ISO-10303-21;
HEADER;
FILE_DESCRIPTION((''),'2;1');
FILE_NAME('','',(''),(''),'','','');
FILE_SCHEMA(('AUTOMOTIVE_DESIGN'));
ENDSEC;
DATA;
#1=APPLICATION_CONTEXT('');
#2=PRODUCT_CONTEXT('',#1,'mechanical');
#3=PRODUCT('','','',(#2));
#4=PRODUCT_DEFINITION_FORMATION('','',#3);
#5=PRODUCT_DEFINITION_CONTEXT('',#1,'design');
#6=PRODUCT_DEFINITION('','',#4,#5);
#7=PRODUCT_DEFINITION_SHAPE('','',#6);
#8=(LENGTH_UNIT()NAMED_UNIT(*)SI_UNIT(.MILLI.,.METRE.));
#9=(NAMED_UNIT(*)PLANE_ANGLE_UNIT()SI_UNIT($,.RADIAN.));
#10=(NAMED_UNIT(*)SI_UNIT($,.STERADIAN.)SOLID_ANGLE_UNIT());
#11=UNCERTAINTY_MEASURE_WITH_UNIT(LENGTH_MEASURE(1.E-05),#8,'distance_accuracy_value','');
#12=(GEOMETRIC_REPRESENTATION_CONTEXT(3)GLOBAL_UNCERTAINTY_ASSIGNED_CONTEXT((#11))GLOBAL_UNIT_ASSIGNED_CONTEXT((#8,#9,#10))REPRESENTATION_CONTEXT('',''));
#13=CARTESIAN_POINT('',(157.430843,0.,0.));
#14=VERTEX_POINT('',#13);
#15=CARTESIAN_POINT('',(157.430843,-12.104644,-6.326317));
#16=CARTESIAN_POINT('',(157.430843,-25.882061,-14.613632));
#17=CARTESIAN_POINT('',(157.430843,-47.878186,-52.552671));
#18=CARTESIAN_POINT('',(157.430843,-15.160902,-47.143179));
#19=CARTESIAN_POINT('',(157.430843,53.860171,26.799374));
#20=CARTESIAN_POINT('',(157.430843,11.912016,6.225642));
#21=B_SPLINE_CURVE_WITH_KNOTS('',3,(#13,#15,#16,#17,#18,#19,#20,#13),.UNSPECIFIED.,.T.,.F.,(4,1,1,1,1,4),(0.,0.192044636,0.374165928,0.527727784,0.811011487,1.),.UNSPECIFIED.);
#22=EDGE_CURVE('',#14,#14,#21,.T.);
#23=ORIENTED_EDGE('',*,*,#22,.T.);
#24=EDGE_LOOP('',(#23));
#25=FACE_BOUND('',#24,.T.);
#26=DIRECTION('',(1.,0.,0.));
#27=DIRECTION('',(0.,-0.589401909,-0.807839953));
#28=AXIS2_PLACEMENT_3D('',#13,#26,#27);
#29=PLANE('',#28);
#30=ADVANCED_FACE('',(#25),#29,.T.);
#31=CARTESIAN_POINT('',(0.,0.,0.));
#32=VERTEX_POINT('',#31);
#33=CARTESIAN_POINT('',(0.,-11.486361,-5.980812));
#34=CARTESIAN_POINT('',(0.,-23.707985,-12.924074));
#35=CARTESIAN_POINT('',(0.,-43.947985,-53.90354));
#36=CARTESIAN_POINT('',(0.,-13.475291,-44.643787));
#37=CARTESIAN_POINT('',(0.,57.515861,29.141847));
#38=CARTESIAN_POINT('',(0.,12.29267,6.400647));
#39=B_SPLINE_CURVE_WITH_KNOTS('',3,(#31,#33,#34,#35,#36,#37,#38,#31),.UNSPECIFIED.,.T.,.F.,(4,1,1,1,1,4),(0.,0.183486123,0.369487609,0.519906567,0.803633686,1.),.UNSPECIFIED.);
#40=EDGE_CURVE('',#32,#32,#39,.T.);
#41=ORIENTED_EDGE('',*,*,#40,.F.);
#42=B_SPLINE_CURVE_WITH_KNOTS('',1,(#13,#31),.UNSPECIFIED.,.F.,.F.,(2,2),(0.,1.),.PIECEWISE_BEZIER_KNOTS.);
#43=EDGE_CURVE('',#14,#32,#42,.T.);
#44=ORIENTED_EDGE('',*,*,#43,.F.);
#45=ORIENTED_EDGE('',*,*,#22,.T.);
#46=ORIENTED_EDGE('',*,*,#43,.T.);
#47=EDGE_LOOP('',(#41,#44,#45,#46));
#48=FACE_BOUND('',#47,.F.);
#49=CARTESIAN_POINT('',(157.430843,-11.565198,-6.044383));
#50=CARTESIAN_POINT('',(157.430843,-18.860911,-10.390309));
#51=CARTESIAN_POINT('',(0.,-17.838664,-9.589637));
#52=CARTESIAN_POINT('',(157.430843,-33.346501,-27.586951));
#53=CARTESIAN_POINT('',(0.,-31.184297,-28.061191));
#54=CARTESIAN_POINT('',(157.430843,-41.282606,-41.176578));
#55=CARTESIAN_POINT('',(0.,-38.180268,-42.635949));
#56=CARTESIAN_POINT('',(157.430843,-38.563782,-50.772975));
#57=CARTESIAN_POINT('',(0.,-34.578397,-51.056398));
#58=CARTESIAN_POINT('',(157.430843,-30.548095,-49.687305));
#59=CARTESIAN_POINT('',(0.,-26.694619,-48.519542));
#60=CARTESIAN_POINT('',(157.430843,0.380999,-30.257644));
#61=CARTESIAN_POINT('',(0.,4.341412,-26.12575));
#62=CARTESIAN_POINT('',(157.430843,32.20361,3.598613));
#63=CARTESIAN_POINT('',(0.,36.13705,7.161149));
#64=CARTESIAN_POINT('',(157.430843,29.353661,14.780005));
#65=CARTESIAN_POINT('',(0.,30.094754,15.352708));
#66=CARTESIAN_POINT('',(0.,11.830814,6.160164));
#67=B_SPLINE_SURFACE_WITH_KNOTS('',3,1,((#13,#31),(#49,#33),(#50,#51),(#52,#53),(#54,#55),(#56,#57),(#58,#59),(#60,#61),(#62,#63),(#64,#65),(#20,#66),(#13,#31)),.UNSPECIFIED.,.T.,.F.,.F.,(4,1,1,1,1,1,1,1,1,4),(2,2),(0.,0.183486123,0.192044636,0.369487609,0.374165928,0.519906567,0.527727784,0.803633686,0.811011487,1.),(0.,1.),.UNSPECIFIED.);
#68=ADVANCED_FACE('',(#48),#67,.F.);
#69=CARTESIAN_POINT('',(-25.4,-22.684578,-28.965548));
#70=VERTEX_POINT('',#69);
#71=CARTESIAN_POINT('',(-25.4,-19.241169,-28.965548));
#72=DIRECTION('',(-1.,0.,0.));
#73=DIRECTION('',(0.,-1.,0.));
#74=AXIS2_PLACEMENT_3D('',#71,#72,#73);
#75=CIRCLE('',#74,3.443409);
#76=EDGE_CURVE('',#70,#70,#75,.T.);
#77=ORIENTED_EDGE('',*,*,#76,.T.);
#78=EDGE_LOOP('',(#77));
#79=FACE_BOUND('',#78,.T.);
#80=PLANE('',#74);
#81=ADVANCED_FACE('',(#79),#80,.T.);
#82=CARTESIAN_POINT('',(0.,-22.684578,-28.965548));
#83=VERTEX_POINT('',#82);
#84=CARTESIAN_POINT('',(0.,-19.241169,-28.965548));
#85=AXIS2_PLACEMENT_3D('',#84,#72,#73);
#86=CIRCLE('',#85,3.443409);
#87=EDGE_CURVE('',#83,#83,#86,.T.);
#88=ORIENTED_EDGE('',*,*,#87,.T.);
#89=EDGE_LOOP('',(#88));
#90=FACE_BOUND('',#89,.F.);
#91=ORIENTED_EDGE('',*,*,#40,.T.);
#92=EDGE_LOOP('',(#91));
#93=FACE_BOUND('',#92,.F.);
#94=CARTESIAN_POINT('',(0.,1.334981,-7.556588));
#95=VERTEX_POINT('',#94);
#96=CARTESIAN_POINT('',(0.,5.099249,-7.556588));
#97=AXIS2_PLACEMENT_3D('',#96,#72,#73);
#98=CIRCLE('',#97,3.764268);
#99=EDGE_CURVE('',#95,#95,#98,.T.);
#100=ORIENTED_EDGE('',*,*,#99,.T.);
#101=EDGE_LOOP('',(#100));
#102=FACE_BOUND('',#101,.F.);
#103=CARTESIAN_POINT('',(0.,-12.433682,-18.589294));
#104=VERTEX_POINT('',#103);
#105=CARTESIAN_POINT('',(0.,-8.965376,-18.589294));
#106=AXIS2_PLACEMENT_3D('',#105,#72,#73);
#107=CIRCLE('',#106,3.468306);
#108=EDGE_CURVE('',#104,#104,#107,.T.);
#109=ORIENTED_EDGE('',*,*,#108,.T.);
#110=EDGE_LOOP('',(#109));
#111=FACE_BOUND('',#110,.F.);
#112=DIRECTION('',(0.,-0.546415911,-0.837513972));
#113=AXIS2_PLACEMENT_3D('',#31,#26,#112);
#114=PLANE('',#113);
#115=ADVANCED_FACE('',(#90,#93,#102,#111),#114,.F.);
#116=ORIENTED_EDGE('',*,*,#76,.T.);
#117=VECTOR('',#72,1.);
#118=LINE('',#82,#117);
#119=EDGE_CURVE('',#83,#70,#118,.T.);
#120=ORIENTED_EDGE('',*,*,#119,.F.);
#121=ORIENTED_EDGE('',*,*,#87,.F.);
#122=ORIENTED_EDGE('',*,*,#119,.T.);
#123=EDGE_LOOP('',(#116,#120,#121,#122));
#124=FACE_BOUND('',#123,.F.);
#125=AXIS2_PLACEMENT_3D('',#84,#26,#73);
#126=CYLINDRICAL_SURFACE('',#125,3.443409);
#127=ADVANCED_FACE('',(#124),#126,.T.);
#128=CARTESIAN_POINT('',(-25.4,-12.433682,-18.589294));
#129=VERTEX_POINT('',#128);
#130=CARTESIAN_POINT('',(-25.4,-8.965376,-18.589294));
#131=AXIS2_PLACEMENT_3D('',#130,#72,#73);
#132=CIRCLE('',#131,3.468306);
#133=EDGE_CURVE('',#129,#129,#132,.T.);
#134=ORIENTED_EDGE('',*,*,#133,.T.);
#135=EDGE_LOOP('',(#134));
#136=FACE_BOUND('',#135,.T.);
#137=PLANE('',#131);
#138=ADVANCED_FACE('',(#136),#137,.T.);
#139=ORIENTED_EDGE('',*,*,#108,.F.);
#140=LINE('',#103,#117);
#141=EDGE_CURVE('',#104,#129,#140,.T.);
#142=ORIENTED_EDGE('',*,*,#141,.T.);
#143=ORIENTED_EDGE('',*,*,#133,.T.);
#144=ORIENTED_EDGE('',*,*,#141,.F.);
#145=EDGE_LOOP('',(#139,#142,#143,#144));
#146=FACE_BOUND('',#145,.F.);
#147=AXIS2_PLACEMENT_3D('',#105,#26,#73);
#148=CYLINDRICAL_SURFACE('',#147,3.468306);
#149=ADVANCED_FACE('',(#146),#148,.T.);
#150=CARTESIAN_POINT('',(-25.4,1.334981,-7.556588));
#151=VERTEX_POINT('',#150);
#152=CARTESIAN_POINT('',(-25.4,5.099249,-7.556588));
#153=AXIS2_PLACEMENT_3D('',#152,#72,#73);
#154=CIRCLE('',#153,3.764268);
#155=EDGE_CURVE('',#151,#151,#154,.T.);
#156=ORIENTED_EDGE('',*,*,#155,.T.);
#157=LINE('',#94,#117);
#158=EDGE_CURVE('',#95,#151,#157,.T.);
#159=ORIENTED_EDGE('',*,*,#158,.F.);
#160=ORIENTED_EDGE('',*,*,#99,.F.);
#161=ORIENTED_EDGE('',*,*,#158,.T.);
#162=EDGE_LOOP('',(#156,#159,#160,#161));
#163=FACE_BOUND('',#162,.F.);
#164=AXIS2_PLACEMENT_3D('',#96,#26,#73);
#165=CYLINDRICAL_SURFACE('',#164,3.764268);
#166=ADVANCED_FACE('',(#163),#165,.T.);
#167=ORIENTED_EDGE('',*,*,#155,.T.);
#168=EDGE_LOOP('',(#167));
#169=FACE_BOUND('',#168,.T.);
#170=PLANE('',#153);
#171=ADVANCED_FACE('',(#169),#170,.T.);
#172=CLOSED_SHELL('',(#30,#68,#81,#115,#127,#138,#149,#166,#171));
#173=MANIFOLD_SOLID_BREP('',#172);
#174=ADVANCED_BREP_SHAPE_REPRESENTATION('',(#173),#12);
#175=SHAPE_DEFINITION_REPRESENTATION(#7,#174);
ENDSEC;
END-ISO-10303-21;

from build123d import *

# Parameters (mm, degrees)
F4_R     = 3.7642677445
F4_R_2   = 3.4683059597
F4_R_3   = 3.4434090322
F5_DEPTH = 25.4


with BuildPart() as f3:
    # F2 (on offset) → F3 section 0
    with BuildSketch(Plane.YZ.offset(157.4308425188)):
        with BuildLine():
            add(Edge.make_bspline(
                [(0, 0), (-12.104644098, -6.3263168889), (-25.8820610041, -14.6136318994), (-47.8781855597, -52.5526708502), (-15.1609022465, -47.143178944), (53.8601710207, 26.7993739174), (11.9120155475, 6.2256423674), (0, 0)],
                knots=[0, 0, 0, 0, 0.1920446361, 0.3741659284, 0.5277277836, 0.8110114868, 1, 1, 1, 1], degree=3))
        make_face()
    # F0 (on Right) → F3 section 1
    with BuildSketch(Plane.YZ):
        with BuildLine():
            add(Edge.make_bspline(
                [(0, 0), (-11.4863605542, -5.9808116248), (-23.7079853047, -12.9240739578), (-43.9479848114, -53.9035395464), (-13.4752914458, -44.6437869025), (57.5158608034, 29.1418474769), (12.2926695837, 6.4006471675), (0, 0)],
                knots=[0, 0, 0, 0, 0.1834861231, 0.3694876095, 0.5199065669, 0.8036336859, 1, 1, 1, 1], degree=3))
        make_face()
    loft()

    # F4 (on face) → F5 (join)
    with BuildSketch(Plane(origin=(0, 0, 0), x_dir=(0, -1, 0), z_dir=(-1, 0, 0))):
        with Locations((-5.0992490724, -7.5565879233)):
            Circle(F4_R)
        with Locations((8.9653758332, -18.5892935842)):
            Circle(F4_R_2)
        with Locations((19.241169095, -28.9655476809)):
            Circle(F4_R_3)
    extrude(amount=F5_DEPTH)


solid = f3.part
